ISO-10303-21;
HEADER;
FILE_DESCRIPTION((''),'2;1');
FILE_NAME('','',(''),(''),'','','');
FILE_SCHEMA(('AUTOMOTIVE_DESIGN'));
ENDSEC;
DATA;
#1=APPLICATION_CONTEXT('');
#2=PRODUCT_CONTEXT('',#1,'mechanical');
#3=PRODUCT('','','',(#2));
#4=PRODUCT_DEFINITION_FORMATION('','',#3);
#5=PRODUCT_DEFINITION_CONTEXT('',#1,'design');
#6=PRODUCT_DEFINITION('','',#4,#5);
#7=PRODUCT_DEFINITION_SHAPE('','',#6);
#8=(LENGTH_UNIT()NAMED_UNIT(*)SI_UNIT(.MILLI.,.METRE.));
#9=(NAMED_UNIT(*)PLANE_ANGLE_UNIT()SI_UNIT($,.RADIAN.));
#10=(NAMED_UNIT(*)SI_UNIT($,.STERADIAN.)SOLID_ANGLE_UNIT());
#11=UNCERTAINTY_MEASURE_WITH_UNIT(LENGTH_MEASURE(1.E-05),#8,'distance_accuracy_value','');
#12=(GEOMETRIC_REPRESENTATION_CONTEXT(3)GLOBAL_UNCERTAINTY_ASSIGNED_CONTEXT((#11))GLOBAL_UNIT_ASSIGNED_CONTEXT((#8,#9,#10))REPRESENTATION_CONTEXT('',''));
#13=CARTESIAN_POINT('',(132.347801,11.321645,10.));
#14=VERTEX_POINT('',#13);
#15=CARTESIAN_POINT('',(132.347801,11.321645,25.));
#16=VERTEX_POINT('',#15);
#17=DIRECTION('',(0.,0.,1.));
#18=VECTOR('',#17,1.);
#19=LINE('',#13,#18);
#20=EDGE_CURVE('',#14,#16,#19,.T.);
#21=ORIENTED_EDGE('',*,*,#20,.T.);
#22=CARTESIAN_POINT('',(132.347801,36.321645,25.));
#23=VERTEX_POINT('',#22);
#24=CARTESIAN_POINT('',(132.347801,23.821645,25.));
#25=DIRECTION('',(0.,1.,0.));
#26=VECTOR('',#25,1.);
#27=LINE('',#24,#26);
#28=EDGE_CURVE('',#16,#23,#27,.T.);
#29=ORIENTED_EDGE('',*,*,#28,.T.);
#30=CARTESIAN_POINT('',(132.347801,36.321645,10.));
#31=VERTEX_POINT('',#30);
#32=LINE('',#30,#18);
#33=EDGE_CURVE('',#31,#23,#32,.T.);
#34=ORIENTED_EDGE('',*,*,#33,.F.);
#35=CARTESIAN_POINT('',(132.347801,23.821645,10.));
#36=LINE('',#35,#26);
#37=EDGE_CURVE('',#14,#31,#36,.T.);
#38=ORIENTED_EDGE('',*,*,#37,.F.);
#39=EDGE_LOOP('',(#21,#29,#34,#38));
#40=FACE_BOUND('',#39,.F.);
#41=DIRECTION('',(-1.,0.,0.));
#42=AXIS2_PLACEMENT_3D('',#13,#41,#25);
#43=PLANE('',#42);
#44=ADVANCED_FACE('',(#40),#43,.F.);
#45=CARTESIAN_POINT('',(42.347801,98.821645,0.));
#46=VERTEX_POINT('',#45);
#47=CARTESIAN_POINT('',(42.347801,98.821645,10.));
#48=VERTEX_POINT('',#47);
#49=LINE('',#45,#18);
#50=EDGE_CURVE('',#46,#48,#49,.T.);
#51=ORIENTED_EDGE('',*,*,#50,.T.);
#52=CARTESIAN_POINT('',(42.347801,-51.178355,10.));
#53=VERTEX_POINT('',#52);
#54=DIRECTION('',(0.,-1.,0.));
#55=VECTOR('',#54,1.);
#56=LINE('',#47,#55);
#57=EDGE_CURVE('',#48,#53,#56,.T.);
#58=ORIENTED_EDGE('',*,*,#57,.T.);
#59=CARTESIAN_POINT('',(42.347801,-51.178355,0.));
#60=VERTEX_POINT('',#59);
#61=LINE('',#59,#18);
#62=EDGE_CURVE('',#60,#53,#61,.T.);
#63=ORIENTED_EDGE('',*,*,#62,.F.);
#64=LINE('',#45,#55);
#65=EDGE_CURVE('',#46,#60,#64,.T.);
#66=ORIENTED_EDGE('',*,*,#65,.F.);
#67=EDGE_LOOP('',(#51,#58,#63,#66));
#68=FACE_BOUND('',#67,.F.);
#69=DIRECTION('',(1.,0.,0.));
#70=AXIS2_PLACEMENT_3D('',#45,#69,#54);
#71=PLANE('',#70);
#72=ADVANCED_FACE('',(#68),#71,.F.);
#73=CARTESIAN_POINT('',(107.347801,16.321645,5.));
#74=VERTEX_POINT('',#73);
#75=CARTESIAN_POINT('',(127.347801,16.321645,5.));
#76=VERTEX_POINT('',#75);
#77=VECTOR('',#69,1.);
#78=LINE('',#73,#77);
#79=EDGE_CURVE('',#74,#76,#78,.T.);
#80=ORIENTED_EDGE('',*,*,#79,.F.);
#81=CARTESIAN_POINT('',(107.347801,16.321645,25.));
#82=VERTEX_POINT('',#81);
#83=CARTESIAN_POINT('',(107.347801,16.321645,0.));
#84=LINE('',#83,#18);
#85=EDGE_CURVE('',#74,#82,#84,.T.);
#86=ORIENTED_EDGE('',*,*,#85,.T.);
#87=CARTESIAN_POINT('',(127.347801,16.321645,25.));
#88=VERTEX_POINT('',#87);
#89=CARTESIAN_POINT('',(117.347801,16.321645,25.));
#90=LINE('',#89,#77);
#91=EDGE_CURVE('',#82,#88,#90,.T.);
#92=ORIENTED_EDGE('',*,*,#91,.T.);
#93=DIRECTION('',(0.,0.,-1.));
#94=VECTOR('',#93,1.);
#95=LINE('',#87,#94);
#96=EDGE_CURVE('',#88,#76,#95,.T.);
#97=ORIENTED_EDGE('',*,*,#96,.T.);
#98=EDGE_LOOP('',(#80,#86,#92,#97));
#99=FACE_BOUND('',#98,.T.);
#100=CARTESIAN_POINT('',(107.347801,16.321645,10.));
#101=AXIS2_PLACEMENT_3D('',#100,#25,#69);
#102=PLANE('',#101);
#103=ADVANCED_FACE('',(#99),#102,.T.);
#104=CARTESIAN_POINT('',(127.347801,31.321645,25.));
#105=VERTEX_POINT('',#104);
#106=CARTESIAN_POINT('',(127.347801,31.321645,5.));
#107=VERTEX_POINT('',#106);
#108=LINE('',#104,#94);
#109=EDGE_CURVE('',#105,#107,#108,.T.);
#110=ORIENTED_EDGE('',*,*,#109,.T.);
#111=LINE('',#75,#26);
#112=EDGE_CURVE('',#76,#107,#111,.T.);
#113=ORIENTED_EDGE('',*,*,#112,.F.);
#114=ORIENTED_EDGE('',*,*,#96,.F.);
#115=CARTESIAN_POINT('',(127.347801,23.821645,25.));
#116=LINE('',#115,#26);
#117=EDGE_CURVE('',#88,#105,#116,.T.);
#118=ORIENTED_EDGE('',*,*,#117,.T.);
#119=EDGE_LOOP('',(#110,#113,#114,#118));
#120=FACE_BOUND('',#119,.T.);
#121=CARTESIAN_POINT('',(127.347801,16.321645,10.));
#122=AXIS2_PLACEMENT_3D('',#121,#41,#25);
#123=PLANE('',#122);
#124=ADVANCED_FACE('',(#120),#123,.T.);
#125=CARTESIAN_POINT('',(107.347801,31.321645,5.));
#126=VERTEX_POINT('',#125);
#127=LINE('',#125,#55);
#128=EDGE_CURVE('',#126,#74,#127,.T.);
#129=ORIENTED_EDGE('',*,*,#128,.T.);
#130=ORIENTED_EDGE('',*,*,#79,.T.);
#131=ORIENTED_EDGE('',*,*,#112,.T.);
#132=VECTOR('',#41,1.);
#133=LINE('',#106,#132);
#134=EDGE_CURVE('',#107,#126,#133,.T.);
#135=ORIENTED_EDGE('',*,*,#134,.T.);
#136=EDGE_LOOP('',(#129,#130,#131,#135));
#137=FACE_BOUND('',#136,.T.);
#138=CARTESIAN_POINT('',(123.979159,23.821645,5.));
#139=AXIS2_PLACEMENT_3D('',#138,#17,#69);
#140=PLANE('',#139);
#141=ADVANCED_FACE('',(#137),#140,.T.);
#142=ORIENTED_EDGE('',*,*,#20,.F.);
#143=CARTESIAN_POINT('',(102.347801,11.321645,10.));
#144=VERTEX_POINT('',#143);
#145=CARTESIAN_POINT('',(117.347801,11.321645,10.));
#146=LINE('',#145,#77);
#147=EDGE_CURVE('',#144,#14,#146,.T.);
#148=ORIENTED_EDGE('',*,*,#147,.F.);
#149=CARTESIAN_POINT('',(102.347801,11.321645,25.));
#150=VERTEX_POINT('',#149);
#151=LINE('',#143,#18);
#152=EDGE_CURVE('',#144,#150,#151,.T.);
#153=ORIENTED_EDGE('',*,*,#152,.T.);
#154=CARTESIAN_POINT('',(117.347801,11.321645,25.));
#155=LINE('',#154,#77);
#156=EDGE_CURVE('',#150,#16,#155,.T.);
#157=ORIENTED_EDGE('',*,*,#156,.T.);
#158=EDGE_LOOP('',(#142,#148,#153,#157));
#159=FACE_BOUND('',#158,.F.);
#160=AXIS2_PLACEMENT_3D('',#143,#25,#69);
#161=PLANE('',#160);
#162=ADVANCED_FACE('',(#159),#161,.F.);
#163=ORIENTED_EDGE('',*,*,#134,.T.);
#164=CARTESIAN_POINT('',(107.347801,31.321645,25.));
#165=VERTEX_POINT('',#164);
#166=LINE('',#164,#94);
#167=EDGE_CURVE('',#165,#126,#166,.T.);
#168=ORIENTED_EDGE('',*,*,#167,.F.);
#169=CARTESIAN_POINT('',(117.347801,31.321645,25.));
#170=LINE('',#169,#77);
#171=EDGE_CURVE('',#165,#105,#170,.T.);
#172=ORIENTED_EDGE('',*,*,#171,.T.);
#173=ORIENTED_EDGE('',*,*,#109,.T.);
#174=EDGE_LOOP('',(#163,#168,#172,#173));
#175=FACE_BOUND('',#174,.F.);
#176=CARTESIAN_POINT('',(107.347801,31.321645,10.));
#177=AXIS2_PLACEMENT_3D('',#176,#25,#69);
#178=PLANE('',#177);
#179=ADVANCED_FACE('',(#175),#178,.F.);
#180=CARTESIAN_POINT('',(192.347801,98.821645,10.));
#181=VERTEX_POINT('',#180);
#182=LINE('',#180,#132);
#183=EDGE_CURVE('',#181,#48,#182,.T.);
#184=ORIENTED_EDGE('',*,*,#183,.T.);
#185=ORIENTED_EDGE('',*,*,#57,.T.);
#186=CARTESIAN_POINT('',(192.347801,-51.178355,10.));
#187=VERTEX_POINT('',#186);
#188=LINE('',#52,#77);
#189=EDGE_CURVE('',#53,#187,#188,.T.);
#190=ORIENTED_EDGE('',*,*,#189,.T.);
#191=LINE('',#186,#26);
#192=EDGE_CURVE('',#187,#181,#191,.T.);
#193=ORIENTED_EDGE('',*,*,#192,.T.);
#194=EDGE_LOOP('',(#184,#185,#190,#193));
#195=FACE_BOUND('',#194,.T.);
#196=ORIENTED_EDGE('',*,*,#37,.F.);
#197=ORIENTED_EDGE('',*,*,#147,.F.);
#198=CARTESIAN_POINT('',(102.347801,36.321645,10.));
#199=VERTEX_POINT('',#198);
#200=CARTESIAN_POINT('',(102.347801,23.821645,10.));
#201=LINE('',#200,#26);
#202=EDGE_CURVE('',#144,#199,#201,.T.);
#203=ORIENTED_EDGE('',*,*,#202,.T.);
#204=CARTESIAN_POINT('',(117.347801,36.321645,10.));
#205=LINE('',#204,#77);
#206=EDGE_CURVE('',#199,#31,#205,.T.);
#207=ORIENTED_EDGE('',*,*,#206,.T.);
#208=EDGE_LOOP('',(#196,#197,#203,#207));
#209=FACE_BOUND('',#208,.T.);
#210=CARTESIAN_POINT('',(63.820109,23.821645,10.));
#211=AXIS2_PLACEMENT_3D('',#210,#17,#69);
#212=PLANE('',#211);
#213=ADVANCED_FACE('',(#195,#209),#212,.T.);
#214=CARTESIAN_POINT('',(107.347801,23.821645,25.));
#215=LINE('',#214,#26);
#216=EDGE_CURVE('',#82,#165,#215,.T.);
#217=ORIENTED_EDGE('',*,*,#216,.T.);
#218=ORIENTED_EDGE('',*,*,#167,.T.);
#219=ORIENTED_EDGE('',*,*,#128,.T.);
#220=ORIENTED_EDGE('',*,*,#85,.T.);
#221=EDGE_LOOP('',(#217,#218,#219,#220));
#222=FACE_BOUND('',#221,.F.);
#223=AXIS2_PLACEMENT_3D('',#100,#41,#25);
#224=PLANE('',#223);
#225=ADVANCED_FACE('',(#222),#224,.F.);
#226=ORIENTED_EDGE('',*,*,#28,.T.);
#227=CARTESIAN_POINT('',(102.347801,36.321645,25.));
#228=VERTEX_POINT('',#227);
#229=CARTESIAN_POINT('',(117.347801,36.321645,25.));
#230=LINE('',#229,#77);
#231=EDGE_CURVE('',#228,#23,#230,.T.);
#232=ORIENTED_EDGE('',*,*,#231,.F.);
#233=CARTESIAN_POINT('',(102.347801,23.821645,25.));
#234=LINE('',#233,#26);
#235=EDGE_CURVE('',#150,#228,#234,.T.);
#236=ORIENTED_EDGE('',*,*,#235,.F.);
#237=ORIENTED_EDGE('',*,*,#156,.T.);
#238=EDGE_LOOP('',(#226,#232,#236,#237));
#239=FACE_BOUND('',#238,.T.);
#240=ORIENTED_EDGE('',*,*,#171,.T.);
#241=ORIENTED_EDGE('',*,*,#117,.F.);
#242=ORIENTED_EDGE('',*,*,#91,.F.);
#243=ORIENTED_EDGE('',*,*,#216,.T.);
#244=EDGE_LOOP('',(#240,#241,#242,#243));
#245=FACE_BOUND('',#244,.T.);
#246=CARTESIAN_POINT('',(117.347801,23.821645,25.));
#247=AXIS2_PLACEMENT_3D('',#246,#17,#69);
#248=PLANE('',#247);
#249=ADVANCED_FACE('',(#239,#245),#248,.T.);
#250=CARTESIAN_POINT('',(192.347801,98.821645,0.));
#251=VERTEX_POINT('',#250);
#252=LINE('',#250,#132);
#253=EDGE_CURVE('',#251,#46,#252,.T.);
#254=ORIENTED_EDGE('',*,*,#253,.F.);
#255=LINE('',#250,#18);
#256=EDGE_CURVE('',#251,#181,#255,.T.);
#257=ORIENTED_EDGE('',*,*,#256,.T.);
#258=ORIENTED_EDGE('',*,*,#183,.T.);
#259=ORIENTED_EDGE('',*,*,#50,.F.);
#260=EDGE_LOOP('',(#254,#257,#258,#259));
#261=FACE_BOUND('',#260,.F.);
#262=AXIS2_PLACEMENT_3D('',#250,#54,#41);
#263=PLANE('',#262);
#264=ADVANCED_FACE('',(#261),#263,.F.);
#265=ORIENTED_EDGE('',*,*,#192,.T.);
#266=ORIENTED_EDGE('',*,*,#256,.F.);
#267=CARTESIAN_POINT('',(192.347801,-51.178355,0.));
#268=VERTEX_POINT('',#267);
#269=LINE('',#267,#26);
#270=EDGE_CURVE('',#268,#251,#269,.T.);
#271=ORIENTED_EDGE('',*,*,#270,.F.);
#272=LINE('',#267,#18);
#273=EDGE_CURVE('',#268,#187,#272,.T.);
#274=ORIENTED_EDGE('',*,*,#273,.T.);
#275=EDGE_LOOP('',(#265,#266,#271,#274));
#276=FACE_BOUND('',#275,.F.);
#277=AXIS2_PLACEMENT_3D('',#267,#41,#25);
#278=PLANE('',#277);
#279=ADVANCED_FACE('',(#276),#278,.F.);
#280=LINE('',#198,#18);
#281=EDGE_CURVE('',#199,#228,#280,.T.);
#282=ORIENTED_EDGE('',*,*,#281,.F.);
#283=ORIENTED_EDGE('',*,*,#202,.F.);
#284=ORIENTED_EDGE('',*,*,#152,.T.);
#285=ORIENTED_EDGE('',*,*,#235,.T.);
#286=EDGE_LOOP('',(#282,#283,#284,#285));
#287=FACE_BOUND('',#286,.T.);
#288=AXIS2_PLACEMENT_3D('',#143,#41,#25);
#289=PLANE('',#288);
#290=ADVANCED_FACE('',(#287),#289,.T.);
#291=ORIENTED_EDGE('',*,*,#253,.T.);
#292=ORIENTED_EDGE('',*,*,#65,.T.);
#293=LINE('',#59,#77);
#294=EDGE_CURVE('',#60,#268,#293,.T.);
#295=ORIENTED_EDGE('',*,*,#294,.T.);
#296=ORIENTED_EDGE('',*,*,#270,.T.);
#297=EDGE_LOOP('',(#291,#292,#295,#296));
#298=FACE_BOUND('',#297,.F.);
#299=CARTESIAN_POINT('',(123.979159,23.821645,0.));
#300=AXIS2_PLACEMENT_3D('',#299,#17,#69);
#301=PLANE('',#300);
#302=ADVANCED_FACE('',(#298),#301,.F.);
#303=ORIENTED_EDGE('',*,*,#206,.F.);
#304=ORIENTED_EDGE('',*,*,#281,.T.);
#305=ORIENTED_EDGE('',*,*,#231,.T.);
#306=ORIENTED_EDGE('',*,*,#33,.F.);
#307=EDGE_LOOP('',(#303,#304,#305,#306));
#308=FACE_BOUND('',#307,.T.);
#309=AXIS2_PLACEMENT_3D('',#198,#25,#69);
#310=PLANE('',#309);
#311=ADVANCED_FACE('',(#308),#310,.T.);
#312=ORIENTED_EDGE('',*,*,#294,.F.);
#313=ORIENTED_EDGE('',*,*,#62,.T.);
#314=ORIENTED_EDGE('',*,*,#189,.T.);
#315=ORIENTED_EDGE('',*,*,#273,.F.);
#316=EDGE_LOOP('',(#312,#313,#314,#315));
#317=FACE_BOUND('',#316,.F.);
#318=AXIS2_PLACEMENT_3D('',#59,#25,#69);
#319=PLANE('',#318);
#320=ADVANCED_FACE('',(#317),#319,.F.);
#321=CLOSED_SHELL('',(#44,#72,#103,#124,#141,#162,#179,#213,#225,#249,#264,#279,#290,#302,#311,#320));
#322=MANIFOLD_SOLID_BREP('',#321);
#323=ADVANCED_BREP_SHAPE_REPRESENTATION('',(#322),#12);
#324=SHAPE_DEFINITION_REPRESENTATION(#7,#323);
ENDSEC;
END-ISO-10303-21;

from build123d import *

# Parameters (mm, degrees)
F1_DEPTH = 10
F2_W     = 30
F2_H     = 25
F2_W_2   = 20
F2_H_2   = 15
F3_DEPTH = 15
F4_DEPTH = 5


with BuildPart() as f1:
    # F0 (on Top) → F1 (new body)
    with BuildSketch(Plane.XY):
        Polygon((109.8478005826, 31.3216452301), (42.3478005826, 98.8216452301), (42.3478005826, -51.1783547699), (109.8478005826, 16.3216452301), (107.3478005826, 16.3216452301), (107.3478005826, 31.3216452301), align=None)
        Polygon((192.3478005826, 98.8216452301), (42.3478005826, 98.8216452301), (109.8478005826, 31.3216452301), (124.8478005826, 31.3216452301), align=None)
        Polygon((192.3478005826, -51.1783547699), (192.3478005826, 98.8216452301), (124.8478005826, 31.3216452301), (127.3478005826, 31.3216452301), (127.3478005826, 16.3216452301), (124.8478005826, 16.3216452301), align=None)
        Polygon((109.8478005826, 16.3216452301), (42.3478005826, -51.1783547699), (192.3478005826, -51.1783547699), (124.8478005826, 16.3216452301), align=None)
    extrude(amount=F1_DEPTH)

    # F2 (on face) → F3 (join)
    with BuildSketch(Plane.XY.offset(10)):
        with Locations((117.3478005826, 23.8216452301)):
            Rectangle(F2_W, F2_H)
        with Locations((117.3478005826, 23.8216452301)):
            Rectangle(F2_W_2, F2_H_2, mode=Mode.SUBTRACT)
    extrude(amount=F3_DEPTH)

    # F0 (on Top) → F4 (join)
    with BuildSketch(Plane.XY):
        Polygon((127.3478005826, 31.3216452301), (124.8478005826, 31.3216452301), (117.3478005826, 23.8216452301), (124.8478005826, 16.3216452301), (127.3478005826, 16.3216452301), align=None)
        Polygon((124.8478005826, 31.3216452301), (109.8478005826, 31.3216452301), (117.3478005826, 23.8216452301), align=None)
        Polygon((117.3478005826, 23.8216452301), (109.8478005826, 31.3216452301), (107.3478005826, 31.3216452301), (107.3478005826, 16.3216452301), (109.8478005826, 16.3216452301), align=None)
        Polygon((117.3478005826, 23.8216452301), (109.8478005826, 16.3216452301), (124.8478005826, 16.3216452301), align=None)
    extrude(amount=F4_DEPTH)


solid = f1.part
